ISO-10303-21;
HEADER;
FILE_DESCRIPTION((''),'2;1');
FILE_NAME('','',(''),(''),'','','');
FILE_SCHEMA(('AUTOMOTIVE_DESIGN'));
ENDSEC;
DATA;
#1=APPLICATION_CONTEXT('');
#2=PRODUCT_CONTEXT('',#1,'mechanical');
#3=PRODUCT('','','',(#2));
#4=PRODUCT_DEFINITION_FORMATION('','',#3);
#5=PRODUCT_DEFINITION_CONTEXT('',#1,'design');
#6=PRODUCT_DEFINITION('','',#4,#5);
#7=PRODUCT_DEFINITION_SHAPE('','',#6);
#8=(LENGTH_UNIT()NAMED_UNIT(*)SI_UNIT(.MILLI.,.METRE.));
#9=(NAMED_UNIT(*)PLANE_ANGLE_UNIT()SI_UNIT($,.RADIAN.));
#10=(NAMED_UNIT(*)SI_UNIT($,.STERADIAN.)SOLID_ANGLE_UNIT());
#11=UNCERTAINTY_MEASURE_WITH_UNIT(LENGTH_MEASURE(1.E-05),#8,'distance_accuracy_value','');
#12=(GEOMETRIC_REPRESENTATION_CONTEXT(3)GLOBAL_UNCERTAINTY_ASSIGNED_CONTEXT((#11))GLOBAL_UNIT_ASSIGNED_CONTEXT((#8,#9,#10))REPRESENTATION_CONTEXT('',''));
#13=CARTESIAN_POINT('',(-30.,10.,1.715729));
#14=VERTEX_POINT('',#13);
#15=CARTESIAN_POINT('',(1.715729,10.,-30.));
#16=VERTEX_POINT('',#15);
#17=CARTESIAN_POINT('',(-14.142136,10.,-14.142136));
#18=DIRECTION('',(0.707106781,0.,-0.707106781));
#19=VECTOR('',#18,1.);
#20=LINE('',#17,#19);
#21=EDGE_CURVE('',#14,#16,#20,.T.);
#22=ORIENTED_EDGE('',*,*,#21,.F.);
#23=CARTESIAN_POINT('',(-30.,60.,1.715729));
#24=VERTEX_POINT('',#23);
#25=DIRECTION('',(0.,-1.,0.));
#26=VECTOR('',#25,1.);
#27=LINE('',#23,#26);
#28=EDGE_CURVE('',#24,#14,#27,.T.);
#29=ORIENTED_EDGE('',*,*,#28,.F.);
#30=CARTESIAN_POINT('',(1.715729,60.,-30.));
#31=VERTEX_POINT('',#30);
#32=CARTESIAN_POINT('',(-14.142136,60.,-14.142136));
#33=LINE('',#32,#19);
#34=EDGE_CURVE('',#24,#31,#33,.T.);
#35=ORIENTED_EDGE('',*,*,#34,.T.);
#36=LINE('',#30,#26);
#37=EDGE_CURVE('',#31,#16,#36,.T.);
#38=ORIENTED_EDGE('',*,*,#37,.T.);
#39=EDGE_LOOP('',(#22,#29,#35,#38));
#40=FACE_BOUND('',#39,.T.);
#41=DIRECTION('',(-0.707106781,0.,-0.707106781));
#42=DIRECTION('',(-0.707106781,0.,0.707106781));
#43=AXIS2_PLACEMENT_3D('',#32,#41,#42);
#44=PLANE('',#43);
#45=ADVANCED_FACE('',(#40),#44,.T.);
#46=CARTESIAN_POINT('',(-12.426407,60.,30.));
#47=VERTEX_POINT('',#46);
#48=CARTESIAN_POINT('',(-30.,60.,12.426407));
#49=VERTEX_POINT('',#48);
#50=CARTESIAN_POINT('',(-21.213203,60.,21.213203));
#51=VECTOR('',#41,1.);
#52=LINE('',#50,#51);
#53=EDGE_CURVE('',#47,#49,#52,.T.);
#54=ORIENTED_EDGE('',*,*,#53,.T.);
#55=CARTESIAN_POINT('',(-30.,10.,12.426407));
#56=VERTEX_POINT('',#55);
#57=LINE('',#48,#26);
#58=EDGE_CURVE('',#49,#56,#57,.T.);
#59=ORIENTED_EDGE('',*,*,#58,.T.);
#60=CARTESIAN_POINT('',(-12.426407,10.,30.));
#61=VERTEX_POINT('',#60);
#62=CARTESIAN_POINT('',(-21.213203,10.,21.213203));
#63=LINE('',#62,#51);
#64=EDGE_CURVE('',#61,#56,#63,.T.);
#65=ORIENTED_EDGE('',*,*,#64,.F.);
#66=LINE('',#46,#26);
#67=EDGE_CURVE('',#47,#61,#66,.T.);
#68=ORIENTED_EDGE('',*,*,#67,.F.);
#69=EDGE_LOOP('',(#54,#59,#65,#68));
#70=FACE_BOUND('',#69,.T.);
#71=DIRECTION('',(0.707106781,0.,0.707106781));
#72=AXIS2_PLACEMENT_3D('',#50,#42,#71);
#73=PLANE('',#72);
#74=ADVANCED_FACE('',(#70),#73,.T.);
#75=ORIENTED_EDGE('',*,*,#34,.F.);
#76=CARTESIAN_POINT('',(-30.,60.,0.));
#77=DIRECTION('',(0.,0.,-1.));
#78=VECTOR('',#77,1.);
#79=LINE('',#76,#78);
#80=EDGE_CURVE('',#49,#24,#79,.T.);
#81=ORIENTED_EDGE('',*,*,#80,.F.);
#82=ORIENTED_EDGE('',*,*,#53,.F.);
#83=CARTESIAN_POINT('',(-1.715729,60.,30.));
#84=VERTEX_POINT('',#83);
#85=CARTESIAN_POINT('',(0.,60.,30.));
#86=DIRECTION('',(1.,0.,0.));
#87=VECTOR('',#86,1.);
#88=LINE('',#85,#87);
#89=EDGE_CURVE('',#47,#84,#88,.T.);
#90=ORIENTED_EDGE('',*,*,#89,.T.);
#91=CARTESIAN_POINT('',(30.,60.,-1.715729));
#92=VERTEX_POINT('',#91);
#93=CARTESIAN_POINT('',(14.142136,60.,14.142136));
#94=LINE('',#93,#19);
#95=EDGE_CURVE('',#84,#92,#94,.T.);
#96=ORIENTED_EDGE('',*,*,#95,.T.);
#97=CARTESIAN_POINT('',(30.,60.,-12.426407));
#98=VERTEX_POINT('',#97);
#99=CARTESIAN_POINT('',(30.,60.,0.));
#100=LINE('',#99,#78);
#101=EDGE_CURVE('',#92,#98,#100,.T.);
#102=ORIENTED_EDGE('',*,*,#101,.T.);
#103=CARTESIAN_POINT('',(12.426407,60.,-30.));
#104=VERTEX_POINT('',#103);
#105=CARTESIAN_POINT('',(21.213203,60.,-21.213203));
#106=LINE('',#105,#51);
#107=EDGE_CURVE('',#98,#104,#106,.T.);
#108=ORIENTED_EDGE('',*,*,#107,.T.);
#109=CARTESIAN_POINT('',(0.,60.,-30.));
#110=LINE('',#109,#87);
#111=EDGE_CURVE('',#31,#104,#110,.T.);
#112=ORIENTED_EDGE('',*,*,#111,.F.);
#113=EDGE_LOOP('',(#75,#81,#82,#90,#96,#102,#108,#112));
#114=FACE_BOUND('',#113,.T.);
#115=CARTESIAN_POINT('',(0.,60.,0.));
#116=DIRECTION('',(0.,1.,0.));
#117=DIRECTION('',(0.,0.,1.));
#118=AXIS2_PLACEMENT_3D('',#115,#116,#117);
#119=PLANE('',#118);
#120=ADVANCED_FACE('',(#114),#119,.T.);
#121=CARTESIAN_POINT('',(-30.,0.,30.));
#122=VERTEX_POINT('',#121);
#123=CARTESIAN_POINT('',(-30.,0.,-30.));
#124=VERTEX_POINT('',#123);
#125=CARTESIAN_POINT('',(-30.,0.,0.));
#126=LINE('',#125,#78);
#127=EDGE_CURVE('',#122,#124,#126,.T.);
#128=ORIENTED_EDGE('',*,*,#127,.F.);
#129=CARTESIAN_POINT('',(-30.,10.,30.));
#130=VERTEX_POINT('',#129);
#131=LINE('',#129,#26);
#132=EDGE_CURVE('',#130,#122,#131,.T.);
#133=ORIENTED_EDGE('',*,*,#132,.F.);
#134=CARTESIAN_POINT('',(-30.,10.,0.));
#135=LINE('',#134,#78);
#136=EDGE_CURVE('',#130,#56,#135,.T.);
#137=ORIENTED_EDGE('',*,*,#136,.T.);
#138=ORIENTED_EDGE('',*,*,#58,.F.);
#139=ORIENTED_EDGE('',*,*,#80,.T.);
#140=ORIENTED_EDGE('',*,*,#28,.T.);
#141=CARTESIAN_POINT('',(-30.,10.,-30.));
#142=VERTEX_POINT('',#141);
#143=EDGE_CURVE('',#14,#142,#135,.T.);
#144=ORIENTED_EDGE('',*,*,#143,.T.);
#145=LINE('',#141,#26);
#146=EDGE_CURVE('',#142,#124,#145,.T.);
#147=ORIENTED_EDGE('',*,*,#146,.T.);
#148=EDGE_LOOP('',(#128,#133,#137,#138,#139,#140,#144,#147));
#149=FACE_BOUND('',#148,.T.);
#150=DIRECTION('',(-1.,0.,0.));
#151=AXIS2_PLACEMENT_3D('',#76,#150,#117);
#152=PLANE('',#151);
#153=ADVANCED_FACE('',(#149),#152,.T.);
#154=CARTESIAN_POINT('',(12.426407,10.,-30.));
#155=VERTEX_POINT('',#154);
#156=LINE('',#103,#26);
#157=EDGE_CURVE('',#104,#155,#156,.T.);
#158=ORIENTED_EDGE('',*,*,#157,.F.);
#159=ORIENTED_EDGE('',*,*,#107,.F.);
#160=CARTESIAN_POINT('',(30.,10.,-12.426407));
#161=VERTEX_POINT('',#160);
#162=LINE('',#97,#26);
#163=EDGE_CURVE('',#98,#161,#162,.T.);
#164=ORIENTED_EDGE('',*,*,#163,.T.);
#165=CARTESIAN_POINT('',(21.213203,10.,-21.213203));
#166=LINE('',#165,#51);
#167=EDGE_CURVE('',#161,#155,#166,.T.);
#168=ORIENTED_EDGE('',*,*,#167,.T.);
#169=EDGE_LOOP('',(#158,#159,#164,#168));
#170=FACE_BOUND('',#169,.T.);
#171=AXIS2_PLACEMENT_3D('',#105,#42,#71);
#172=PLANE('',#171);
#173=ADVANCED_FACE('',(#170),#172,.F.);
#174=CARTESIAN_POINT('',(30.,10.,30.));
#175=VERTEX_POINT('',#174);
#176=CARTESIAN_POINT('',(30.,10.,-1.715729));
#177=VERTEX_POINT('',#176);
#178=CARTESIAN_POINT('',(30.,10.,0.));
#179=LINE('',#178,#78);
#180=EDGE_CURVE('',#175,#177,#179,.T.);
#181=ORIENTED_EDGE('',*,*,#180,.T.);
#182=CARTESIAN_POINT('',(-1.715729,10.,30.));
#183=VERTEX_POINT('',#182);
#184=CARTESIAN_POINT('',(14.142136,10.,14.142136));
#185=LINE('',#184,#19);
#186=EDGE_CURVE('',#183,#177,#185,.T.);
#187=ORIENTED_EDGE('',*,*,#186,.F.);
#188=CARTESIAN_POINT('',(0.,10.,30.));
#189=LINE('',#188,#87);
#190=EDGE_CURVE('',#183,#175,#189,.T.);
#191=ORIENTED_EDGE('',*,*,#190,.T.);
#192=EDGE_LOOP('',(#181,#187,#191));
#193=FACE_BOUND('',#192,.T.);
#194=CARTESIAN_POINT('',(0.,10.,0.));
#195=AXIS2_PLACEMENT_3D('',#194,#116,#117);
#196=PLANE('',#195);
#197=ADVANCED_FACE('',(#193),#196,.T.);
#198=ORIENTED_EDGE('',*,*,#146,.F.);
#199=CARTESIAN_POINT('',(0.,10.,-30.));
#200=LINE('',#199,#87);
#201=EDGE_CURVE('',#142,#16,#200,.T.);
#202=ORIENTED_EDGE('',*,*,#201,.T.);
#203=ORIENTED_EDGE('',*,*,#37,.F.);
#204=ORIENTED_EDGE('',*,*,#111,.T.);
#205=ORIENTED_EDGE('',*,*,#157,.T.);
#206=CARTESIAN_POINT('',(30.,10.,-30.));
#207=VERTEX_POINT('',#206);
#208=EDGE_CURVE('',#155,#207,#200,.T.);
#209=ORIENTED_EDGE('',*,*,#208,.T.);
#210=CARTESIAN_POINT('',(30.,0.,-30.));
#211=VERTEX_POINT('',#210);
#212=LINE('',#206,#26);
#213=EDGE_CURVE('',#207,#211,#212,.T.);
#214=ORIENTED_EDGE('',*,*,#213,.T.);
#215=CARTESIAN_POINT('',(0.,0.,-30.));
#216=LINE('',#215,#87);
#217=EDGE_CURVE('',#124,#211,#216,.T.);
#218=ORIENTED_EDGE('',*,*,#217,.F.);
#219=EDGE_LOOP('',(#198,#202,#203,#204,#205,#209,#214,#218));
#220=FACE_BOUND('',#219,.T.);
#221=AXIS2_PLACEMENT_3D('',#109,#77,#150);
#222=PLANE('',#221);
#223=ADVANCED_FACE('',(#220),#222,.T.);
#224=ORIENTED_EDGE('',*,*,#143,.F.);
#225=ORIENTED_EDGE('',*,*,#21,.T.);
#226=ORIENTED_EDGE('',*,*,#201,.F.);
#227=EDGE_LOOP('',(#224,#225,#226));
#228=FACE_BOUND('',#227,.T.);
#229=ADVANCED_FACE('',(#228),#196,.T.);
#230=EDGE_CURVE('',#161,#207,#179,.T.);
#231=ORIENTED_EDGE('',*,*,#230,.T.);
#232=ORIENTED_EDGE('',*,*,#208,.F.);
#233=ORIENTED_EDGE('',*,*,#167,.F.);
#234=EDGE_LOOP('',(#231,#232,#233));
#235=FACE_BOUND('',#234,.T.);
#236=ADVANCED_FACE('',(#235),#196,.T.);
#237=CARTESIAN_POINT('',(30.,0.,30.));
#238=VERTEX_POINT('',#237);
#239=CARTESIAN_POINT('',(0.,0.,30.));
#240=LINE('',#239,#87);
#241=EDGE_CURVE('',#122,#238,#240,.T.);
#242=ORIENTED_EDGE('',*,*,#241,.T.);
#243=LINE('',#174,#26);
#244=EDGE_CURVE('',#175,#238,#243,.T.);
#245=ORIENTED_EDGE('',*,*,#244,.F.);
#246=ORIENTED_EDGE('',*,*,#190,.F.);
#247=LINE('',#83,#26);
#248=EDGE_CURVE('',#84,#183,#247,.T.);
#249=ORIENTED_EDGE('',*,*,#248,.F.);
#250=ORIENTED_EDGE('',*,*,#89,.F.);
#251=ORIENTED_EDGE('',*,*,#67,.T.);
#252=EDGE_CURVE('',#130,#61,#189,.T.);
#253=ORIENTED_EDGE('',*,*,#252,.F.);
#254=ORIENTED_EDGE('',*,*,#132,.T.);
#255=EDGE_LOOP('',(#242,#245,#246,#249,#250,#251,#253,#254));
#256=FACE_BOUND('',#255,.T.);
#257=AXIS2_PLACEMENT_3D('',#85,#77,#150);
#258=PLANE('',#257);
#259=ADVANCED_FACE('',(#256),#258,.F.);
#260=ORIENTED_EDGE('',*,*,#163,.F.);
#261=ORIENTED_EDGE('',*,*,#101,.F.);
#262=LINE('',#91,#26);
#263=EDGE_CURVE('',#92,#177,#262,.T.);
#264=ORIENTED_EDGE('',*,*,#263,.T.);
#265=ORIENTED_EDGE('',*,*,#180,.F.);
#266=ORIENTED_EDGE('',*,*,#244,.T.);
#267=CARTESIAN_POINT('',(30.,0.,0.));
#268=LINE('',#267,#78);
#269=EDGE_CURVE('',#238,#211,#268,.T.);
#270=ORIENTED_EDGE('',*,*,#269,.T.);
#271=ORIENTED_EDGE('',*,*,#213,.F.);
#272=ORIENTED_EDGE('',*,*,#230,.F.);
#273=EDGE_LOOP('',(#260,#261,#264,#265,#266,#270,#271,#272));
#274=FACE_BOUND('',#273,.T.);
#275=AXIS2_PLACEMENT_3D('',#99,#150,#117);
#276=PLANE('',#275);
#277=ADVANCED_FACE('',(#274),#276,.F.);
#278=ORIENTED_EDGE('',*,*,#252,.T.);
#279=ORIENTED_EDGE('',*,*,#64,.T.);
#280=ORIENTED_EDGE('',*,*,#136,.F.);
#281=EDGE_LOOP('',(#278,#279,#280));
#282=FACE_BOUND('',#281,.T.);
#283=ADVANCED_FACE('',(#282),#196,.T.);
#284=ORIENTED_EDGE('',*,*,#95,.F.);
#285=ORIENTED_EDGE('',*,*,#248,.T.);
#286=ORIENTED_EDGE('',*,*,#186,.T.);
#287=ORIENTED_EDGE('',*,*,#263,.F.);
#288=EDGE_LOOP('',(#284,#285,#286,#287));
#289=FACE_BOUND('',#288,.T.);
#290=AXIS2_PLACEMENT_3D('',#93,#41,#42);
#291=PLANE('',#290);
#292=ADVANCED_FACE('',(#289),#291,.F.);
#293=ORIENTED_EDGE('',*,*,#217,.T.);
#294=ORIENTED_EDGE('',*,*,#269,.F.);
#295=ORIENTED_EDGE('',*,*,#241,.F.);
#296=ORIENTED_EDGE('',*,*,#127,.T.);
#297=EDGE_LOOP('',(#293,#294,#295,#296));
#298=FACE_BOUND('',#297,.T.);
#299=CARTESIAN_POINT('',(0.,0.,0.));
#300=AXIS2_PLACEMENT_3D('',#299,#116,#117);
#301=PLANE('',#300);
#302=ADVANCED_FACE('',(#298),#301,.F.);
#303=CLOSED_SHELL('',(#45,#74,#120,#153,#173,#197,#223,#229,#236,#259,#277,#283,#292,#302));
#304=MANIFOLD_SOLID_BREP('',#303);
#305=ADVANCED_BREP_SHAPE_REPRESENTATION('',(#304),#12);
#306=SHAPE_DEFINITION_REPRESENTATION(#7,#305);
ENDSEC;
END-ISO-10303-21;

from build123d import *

# Parameters (mm, degrees)
BOSS_EXTRUDE1_DEPTH = 60
BOSS_EXTRUDE2_DEPTH = 10


with BuildPart() as part:
    # Sketch1 → Boss-Extrude1 (new body)
    with BuildSketch(Plane(origin=(0, 0, 0), x_dir=(1, 0, 0), z_dir=(0, 1, 0))):
        Polygon((-30, -12.426406871), (-12.426406871, -30), (-1.715728753, -30), (30, 1.715728753), (30, 12.426406871), (12.426406871, 30), (1.715728753, 30), (-30, -1.715728753), align=None)
    extrude(amount=BOSS_EXTRUDE1_DEPTH)

    # Sketch1_3 → Boss-Extrude2 (add)
    with BuildSketch(Plane(origin=(0, 0, 0), x_dir=(1, 0, 0), z_dir=(0, 1, 0))):
        Polygon((-30, -12.426406871), (-30, -30), (-12.426406871, -30), align=None)
        Polygon((30, 1.715728753), (-1.715728753, -30), (30, -30), align=None)
        Polygon((12.426406871, 30), (30, 12.426406871), (30, 30), align=None)
        Polygon((-30, 30), (-30, -1.715728753), (1.715728753, 30), align=None)
    extrude(amount=BOSS_EXTRUDE2_DEPTH)


solid = part.part
